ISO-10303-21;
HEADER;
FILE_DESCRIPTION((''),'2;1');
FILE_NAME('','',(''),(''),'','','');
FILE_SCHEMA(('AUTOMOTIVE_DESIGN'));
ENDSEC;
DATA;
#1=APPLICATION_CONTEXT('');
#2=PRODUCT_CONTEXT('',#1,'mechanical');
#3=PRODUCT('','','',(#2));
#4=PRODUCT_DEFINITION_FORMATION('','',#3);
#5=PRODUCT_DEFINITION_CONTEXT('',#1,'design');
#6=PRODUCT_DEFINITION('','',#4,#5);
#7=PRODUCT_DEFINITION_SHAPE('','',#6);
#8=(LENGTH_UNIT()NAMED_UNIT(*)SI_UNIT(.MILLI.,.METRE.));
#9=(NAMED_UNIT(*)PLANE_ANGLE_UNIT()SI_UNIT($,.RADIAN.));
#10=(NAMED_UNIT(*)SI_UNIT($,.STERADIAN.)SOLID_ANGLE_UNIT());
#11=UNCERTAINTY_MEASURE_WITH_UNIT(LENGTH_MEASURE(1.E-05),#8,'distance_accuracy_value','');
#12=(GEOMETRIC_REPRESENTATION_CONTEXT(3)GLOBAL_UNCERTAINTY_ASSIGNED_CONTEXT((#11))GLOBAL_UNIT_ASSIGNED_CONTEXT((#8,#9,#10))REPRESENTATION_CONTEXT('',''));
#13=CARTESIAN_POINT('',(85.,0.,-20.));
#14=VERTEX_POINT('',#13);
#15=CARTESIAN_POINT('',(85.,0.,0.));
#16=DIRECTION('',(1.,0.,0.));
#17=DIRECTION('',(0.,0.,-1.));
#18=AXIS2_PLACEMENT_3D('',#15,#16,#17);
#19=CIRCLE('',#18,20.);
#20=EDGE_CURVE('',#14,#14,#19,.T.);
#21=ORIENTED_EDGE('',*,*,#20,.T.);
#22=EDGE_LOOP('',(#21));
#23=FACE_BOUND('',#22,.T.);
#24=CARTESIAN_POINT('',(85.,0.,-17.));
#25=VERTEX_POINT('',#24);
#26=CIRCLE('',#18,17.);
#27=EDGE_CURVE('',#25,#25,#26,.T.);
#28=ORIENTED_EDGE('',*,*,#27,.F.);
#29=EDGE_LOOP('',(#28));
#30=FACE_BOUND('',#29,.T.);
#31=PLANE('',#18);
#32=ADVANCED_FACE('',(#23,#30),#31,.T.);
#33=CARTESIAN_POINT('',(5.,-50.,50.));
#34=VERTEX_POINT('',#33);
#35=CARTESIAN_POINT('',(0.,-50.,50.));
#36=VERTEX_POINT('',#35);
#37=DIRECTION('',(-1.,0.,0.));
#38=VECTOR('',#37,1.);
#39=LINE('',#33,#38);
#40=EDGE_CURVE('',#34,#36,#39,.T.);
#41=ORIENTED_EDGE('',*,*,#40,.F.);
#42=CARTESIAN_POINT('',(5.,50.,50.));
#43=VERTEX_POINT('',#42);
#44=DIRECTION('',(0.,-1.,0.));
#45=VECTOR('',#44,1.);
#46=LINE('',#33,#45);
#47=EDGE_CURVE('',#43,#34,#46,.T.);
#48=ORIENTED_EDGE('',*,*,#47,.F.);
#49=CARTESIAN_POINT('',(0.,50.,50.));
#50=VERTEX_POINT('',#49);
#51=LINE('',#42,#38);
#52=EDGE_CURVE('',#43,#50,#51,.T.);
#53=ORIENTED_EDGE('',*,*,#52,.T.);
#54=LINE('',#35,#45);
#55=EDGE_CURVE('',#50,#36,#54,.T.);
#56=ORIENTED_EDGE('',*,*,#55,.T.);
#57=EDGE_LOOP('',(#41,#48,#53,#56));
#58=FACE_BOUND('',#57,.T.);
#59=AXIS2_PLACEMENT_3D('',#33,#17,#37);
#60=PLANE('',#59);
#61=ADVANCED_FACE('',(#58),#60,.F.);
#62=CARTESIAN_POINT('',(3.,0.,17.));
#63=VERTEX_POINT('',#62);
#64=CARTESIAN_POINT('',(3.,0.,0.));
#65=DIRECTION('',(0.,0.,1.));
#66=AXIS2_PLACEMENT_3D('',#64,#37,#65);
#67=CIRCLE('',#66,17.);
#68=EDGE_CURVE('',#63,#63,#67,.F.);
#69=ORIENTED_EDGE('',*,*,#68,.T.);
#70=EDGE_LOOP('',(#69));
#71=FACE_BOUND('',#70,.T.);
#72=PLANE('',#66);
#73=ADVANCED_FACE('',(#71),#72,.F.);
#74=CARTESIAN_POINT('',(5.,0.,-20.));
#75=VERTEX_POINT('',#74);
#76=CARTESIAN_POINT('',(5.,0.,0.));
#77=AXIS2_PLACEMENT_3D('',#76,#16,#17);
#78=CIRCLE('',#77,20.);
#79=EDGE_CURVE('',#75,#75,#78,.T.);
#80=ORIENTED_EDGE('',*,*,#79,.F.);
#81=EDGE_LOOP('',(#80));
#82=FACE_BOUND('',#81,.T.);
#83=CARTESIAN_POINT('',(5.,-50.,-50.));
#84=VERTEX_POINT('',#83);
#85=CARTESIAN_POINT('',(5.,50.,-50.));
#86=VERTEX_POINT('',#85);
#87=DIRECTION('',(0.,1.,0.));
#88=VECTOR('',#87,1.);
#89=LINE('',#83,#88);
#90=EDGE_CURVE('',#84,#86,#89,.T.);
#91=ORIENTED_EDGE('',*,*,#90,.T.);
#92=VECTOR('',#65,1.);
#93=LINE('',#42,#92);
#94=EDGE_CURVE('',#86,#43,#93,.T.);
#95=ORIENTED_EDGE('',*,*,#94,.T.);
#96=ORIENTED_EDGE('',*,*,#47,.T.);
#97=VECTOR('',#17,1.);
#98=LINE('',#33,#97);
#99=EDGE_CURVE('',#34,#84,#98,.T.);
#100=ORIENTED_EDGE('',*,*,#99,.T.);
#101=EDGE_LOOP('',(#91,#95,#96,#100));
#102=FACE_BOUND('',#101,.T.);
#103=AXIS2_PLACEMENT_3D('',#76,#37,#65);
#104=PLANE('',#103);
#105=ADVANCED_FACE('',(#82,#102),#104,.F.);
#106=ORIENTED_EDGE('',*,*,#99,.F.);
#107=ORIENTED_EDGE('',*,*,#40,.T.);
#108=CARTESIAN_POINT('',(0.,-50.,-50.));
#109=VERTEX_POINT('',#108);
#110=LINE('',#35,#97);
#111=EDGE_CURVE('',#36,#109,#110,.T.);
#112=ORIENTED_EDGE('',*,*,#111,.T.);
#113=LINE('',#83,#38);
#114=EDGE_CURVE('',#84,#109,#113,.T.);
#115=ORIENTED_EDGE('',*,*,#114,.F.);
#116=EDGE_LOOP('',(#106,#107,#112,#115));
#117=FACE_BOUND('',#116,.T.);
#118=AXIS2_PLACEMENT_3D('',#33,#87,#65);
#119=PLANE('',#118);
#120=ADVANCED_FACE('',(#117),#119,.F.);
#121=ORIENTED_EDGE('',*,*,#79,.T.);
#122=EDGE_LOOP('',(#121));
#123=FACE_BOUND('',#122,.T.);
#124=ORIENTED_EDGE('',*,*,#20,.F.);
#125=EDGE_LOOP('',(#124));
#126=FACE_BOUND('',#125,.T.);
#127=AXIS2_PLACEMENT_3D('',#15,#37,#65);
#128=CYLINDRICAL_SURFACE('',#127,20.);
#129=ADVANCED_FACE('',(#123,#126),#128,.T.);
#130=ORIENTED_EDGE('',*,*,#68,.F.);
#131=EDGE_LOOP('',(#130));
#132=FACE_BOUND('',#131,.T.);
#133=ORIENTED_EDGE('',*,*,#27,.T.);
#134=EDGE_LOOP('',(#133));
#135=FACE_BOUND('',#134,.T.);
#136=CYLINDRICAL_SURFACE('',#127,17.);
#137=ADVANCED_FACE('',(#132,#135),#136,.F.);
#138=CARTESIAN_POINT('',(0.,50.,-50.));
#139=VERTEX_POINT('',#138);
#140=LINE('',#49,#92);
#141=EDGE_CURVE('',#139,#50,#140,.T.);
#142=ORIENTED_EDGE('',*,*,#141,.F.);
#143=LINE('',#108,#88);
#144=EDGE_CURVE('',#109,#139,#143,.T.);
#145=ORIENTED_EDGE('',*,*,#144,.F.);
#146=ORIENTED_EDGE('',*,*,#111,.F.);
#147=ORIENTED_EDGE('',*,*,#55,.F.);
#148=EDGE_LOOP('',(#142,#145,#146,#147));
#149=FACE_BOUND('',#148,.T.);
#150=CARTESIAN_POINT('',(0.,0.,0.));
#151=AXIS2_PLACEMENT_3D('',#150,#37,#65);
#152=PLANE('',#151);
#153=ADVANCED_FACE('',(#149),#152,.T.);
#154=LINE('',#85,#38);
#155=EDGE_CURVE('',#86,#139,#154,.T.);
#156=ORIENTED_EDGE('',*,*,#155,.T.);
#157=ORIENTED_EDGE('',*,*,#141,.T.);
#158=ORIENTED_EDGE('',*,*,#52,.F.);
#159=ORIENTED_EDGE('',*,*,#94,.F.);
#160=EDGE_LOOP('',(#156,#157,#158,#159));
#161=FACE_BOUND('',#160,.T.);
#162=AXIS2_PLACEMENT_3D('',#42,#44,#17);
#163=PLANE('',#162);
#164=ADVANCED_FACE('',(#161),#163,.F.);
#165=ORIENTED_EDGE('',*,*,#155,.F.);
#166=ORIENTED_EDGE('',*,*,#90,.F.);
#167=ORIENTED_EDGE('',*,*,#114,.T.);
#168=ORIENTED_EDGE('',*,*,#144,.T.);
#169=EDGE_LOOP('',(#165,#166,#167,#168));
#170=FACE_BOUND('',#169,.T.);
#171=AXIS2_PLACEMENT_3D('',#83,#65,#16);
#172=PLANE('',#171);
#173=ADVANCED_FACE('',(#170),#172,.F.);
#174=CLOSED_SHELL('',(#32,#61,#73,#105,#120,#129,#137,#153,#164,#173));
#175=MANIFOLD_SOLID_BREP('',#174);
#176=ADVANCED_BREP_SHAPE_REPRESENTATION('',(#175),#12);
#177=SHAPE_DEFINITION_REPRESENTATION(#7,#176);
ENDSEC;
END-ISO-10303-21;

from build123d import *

# Parameters (mm, degrees)
SKETCH1_W           = 100
SKETCH1_H           = 100
BOSS_EXTRUDE1_DEPTH = 5
SKETCH2_R           = 20
BOSS_EXTRUDE2_DEPTH = 80
SHELL1_T            = -3


with BuildPart() as part:
    # Sketch1 → Boss-Extrude1 (new body)
    with BuildSketch(Plane(origin=(0, 0, 0), x_dir=(0, 0, -1), z_dir=(1, 0, 0))):
        Rectangle(SKETCH1_W, SKETCH1_H)
    extrude(amount=BOSS_EXTRUDE1_DEPTH)

    # Sketch2 → Boss-Extrude2 (add)
    with BuildSketch(Plane(origin=(5, 0, 0), x_dir=(0, 0, -1), z_dir=(1, 0, 0))):
        Circle(SKETCH2_R)
    extrude(amount=BOSS_EXTRUDE2_DEPTH)

    # Shell1
    shell1_openings = [part.faces().sort_by_distance(p)[0] for p in [
        (85, 0, 0),
    ]]
    offset(amount=SHELL1_T, openings=shell1_openings, kind=Kind.INTERSECTION)


solid = part.part
